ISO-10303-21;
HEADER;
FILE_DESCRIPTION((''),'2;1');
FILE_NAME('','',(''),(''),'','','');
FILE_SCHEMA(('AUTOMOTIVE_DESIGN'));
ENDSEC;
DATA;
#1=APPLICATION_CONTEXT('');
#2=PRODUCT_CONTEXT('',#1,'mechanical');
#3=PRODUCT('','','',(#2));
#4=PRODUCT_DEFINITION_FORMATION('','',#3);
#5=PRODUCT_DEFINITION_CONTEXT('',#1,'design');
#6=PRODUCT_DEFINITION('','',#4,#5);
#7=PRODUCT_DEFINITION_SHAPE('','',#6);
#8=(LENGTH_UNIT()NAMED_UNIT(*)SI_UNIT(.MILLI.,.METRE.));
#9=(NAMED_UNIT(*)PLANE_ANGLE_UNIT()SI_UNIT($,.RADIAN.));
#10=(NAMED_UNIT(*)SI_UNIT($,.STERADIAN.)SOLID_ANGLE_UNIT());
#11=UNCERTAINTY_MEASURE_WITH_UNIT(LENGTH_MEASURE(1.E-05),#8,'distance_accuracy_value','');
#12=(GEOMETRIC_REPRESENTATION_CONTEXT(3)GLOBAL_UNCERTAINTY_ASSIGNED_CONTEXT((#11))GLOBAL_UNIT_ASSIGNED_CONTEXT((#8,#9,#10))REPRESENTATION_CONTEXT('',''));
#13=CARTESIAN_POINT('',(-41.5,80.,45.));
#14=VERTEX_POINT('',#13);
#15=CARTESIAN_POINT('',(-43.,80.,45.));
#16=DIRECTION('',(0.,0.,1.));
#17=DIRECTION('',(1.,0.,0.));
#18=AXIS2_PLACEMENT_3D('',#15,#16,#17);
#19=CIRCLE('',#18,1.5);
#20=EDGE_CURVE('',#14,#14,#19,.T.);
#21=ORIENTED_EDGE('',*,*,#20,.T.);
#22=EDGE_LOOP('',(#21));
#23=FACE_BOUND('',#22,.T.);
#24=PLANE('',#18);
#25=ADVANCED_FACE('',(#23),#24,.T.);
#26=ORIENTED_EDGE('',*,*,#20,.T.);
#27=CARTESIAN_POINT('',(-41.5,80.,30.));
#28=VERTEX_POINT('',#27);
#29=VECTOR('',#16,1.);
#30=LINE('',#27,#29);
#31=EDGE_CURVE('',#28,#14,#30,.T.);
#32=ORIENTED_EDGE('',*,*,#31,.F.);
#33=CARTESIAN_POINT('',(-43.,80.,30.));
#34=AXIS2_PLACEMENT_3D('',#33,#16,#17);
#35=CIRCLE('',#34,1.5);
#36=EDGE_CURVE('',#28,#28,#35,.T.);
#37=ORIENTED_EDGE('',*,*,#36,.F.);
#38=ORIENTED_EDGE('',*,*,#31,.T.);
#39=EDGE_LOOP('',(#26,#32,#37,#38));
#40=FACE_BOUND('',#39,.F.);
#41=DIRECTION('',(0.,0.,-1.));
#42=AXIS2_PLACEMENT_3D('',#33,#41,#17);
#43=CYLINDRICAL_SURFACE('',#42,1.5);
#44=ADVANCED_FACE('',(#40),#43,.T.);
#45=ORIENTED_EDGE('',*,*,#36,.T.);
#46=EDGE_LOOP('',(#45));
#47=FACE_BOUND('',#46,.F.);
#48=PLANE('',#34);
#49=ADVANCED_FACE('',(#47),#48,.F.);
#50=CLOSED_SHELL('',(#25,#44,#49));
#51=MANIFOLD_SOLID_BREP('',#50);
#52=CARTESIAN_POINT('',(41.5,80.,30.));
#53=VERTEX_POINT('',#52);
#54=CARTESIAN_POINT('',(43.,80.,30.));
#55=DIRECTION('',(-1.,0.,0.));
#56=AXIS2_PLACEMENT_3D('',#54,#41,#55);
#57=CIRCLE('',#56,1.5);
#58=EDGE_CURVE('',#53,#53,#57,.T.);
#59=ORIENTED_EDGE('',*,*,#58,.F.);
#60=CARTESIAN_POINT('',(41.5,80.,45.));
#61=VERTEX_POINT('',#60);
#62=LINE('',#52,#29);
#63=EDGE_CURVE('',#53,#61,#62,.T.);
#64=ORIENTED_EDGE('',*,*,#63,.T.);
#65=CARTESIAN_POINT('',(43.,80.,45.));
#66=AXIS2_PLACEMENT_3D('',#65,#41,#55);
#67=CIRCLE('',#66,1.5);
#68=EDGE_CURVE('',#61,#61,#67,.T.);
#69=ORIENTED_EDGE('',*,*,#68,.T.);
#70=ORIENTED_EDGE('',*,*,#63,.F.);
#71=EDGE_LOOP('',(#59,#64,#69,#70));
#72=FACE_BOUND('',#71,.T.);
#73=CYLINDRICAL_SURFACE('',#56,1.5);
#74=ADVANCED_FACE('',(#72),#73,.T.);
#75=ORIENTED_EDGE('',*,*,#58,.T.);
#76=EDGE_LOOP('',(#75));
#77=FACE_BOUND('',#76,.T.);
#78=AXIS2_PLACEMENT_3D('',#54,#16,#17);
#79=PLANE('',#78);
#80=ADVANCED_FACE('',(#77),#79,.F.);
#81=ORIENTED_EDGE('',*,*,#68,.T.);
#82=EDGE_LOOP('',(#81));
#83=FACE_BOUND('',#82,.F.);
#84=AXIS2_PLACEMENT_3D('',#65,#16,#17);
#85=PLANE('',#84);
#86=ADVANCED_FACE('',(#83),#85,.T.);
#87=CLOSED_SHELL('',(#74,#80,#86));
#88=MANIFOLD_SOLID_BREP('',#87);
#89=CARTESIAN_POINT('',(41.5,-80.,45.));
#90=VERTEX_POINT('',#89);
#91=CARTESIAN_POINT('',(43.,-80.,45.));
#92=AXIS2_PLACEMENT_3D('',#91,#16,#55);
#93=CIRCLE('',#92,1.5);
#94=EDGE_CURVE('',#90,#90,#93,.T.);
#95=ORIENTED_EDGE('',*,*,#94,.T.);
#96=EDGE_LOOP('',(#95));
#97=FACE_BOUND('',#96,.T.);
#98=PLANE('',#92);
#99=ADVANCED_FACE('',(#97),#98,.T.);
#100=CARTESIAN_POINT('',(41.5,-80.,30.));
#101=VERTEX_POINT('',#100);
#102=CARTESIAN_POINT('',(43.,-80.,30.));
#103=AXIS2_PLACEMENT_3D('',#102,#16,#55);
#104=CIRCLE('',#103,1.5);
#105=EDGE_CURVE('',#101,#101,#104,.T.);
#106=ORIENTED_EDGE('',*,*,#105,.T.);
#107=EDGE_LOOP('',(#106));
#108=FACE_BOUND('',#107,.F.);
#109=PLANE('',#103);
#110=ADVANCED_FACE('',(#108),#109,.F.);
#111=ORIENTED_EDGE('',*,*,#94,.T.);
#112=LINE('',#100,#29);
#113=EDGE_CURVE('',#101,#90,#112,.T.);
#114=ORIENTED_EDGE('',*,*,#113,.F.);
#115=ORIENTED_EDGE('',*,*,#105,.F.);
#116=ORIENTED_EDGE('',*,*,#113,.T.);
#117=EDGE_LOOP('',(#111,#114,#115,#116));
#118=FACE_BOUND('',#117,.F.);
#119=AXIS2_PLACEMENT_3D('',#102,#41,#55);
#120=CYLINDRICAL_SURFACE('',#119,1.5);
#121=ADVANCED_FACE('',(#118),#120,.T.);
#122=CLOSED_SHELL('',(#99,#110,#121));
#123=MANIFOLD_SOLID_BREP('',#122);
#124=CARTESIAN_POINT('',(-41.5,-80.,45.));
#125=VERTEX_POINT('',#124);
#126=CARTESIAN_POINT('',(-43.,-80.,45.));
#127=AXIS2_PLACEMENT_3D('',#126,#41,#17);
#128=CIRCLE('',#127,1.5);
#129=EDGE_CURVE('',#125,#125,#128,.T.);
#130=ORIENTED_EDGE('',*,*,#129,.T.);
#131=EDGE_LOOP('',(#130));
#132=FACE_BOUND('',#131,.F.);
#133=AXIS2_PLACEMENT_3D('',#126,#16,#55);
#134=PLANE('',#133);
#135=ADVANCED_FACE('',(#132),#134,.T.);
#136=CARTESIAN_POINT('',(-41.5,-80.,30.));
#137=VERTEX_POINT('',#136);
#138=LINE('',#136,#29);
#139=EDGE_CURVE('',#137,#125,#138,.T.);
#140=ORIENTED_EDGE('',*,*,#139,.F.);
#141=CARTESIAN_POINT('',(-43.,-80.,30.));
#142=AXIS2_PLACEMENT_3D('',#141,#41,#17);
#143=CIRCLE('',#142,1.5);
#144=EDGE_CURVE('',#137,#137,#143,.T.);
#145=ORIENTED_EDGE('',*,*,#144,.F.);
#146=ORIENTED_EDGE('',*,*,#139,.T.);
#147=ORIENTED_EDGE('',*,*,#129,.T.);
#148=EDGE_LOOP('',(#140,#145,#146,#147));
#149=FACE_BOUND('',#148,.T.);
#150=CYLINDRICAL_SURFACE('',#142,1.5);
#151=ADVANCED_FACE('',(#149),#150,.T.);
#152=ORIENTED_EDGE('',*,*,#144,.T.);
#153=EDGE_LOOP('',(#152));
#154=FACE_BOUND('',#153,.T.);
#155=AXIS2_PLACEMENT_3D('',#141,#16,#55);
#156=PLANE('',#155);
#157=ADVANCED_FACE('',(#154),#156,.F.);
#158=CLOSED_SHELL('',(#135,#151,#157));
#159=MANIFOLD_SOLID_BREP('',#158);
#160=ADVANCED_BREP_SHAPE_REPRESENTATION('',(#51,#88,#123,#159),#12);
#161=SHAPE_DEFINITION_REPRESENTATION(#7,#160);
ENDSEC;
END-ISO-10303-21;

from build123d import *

# Parameters (mm, degrees)
CYLINDER006_R     = 1.5
CYLINDER006_DEPTH = 15


with BuildPart() as rellenados001:
    # Cylinder006 → Cylinder006 (new body)
    with BuildSketch(Plane(origin=(-43, 80, 30), x_dir=(1, 0, 0), z_dir=(0, 0, 1))):
        Circle(CYLINDER006_R)
    extrude(amount=CYLINDER006_DEPTH)


with BuildPart() as part_mirroring:
    # Part__Mirroring: instance of rellenados001
    add(rellenados001.part.mirror(Plane(origin=(0, 0, 0), x_dir=(1, 0, 0), z_dir=(0, 1, 0))))


with BuildPart() as fusion:
    # Fusion base: copy of rellenados001
    add(rellenados001.part)

    # Fusion: union Part__Mirroring
    add(part_mirroring.part)


with BuildPart() as part_mirroring018:
    # Part__Mirroring018: instance of Fusion
    add(fusion.part.mirror(Plane(origin=(0, 0, 0), x_dir=(0, -1, 0), z_dir=(1, 0, 0))))


with BuildPart() as posicion_roscas:
    # Fusion001044 base: copy of Fusion
    add(fusion.part)

    # Fusion001044: union Part__Mirroring018
    add(part_mirroring018.part)


solid = posicion_roscas.part
